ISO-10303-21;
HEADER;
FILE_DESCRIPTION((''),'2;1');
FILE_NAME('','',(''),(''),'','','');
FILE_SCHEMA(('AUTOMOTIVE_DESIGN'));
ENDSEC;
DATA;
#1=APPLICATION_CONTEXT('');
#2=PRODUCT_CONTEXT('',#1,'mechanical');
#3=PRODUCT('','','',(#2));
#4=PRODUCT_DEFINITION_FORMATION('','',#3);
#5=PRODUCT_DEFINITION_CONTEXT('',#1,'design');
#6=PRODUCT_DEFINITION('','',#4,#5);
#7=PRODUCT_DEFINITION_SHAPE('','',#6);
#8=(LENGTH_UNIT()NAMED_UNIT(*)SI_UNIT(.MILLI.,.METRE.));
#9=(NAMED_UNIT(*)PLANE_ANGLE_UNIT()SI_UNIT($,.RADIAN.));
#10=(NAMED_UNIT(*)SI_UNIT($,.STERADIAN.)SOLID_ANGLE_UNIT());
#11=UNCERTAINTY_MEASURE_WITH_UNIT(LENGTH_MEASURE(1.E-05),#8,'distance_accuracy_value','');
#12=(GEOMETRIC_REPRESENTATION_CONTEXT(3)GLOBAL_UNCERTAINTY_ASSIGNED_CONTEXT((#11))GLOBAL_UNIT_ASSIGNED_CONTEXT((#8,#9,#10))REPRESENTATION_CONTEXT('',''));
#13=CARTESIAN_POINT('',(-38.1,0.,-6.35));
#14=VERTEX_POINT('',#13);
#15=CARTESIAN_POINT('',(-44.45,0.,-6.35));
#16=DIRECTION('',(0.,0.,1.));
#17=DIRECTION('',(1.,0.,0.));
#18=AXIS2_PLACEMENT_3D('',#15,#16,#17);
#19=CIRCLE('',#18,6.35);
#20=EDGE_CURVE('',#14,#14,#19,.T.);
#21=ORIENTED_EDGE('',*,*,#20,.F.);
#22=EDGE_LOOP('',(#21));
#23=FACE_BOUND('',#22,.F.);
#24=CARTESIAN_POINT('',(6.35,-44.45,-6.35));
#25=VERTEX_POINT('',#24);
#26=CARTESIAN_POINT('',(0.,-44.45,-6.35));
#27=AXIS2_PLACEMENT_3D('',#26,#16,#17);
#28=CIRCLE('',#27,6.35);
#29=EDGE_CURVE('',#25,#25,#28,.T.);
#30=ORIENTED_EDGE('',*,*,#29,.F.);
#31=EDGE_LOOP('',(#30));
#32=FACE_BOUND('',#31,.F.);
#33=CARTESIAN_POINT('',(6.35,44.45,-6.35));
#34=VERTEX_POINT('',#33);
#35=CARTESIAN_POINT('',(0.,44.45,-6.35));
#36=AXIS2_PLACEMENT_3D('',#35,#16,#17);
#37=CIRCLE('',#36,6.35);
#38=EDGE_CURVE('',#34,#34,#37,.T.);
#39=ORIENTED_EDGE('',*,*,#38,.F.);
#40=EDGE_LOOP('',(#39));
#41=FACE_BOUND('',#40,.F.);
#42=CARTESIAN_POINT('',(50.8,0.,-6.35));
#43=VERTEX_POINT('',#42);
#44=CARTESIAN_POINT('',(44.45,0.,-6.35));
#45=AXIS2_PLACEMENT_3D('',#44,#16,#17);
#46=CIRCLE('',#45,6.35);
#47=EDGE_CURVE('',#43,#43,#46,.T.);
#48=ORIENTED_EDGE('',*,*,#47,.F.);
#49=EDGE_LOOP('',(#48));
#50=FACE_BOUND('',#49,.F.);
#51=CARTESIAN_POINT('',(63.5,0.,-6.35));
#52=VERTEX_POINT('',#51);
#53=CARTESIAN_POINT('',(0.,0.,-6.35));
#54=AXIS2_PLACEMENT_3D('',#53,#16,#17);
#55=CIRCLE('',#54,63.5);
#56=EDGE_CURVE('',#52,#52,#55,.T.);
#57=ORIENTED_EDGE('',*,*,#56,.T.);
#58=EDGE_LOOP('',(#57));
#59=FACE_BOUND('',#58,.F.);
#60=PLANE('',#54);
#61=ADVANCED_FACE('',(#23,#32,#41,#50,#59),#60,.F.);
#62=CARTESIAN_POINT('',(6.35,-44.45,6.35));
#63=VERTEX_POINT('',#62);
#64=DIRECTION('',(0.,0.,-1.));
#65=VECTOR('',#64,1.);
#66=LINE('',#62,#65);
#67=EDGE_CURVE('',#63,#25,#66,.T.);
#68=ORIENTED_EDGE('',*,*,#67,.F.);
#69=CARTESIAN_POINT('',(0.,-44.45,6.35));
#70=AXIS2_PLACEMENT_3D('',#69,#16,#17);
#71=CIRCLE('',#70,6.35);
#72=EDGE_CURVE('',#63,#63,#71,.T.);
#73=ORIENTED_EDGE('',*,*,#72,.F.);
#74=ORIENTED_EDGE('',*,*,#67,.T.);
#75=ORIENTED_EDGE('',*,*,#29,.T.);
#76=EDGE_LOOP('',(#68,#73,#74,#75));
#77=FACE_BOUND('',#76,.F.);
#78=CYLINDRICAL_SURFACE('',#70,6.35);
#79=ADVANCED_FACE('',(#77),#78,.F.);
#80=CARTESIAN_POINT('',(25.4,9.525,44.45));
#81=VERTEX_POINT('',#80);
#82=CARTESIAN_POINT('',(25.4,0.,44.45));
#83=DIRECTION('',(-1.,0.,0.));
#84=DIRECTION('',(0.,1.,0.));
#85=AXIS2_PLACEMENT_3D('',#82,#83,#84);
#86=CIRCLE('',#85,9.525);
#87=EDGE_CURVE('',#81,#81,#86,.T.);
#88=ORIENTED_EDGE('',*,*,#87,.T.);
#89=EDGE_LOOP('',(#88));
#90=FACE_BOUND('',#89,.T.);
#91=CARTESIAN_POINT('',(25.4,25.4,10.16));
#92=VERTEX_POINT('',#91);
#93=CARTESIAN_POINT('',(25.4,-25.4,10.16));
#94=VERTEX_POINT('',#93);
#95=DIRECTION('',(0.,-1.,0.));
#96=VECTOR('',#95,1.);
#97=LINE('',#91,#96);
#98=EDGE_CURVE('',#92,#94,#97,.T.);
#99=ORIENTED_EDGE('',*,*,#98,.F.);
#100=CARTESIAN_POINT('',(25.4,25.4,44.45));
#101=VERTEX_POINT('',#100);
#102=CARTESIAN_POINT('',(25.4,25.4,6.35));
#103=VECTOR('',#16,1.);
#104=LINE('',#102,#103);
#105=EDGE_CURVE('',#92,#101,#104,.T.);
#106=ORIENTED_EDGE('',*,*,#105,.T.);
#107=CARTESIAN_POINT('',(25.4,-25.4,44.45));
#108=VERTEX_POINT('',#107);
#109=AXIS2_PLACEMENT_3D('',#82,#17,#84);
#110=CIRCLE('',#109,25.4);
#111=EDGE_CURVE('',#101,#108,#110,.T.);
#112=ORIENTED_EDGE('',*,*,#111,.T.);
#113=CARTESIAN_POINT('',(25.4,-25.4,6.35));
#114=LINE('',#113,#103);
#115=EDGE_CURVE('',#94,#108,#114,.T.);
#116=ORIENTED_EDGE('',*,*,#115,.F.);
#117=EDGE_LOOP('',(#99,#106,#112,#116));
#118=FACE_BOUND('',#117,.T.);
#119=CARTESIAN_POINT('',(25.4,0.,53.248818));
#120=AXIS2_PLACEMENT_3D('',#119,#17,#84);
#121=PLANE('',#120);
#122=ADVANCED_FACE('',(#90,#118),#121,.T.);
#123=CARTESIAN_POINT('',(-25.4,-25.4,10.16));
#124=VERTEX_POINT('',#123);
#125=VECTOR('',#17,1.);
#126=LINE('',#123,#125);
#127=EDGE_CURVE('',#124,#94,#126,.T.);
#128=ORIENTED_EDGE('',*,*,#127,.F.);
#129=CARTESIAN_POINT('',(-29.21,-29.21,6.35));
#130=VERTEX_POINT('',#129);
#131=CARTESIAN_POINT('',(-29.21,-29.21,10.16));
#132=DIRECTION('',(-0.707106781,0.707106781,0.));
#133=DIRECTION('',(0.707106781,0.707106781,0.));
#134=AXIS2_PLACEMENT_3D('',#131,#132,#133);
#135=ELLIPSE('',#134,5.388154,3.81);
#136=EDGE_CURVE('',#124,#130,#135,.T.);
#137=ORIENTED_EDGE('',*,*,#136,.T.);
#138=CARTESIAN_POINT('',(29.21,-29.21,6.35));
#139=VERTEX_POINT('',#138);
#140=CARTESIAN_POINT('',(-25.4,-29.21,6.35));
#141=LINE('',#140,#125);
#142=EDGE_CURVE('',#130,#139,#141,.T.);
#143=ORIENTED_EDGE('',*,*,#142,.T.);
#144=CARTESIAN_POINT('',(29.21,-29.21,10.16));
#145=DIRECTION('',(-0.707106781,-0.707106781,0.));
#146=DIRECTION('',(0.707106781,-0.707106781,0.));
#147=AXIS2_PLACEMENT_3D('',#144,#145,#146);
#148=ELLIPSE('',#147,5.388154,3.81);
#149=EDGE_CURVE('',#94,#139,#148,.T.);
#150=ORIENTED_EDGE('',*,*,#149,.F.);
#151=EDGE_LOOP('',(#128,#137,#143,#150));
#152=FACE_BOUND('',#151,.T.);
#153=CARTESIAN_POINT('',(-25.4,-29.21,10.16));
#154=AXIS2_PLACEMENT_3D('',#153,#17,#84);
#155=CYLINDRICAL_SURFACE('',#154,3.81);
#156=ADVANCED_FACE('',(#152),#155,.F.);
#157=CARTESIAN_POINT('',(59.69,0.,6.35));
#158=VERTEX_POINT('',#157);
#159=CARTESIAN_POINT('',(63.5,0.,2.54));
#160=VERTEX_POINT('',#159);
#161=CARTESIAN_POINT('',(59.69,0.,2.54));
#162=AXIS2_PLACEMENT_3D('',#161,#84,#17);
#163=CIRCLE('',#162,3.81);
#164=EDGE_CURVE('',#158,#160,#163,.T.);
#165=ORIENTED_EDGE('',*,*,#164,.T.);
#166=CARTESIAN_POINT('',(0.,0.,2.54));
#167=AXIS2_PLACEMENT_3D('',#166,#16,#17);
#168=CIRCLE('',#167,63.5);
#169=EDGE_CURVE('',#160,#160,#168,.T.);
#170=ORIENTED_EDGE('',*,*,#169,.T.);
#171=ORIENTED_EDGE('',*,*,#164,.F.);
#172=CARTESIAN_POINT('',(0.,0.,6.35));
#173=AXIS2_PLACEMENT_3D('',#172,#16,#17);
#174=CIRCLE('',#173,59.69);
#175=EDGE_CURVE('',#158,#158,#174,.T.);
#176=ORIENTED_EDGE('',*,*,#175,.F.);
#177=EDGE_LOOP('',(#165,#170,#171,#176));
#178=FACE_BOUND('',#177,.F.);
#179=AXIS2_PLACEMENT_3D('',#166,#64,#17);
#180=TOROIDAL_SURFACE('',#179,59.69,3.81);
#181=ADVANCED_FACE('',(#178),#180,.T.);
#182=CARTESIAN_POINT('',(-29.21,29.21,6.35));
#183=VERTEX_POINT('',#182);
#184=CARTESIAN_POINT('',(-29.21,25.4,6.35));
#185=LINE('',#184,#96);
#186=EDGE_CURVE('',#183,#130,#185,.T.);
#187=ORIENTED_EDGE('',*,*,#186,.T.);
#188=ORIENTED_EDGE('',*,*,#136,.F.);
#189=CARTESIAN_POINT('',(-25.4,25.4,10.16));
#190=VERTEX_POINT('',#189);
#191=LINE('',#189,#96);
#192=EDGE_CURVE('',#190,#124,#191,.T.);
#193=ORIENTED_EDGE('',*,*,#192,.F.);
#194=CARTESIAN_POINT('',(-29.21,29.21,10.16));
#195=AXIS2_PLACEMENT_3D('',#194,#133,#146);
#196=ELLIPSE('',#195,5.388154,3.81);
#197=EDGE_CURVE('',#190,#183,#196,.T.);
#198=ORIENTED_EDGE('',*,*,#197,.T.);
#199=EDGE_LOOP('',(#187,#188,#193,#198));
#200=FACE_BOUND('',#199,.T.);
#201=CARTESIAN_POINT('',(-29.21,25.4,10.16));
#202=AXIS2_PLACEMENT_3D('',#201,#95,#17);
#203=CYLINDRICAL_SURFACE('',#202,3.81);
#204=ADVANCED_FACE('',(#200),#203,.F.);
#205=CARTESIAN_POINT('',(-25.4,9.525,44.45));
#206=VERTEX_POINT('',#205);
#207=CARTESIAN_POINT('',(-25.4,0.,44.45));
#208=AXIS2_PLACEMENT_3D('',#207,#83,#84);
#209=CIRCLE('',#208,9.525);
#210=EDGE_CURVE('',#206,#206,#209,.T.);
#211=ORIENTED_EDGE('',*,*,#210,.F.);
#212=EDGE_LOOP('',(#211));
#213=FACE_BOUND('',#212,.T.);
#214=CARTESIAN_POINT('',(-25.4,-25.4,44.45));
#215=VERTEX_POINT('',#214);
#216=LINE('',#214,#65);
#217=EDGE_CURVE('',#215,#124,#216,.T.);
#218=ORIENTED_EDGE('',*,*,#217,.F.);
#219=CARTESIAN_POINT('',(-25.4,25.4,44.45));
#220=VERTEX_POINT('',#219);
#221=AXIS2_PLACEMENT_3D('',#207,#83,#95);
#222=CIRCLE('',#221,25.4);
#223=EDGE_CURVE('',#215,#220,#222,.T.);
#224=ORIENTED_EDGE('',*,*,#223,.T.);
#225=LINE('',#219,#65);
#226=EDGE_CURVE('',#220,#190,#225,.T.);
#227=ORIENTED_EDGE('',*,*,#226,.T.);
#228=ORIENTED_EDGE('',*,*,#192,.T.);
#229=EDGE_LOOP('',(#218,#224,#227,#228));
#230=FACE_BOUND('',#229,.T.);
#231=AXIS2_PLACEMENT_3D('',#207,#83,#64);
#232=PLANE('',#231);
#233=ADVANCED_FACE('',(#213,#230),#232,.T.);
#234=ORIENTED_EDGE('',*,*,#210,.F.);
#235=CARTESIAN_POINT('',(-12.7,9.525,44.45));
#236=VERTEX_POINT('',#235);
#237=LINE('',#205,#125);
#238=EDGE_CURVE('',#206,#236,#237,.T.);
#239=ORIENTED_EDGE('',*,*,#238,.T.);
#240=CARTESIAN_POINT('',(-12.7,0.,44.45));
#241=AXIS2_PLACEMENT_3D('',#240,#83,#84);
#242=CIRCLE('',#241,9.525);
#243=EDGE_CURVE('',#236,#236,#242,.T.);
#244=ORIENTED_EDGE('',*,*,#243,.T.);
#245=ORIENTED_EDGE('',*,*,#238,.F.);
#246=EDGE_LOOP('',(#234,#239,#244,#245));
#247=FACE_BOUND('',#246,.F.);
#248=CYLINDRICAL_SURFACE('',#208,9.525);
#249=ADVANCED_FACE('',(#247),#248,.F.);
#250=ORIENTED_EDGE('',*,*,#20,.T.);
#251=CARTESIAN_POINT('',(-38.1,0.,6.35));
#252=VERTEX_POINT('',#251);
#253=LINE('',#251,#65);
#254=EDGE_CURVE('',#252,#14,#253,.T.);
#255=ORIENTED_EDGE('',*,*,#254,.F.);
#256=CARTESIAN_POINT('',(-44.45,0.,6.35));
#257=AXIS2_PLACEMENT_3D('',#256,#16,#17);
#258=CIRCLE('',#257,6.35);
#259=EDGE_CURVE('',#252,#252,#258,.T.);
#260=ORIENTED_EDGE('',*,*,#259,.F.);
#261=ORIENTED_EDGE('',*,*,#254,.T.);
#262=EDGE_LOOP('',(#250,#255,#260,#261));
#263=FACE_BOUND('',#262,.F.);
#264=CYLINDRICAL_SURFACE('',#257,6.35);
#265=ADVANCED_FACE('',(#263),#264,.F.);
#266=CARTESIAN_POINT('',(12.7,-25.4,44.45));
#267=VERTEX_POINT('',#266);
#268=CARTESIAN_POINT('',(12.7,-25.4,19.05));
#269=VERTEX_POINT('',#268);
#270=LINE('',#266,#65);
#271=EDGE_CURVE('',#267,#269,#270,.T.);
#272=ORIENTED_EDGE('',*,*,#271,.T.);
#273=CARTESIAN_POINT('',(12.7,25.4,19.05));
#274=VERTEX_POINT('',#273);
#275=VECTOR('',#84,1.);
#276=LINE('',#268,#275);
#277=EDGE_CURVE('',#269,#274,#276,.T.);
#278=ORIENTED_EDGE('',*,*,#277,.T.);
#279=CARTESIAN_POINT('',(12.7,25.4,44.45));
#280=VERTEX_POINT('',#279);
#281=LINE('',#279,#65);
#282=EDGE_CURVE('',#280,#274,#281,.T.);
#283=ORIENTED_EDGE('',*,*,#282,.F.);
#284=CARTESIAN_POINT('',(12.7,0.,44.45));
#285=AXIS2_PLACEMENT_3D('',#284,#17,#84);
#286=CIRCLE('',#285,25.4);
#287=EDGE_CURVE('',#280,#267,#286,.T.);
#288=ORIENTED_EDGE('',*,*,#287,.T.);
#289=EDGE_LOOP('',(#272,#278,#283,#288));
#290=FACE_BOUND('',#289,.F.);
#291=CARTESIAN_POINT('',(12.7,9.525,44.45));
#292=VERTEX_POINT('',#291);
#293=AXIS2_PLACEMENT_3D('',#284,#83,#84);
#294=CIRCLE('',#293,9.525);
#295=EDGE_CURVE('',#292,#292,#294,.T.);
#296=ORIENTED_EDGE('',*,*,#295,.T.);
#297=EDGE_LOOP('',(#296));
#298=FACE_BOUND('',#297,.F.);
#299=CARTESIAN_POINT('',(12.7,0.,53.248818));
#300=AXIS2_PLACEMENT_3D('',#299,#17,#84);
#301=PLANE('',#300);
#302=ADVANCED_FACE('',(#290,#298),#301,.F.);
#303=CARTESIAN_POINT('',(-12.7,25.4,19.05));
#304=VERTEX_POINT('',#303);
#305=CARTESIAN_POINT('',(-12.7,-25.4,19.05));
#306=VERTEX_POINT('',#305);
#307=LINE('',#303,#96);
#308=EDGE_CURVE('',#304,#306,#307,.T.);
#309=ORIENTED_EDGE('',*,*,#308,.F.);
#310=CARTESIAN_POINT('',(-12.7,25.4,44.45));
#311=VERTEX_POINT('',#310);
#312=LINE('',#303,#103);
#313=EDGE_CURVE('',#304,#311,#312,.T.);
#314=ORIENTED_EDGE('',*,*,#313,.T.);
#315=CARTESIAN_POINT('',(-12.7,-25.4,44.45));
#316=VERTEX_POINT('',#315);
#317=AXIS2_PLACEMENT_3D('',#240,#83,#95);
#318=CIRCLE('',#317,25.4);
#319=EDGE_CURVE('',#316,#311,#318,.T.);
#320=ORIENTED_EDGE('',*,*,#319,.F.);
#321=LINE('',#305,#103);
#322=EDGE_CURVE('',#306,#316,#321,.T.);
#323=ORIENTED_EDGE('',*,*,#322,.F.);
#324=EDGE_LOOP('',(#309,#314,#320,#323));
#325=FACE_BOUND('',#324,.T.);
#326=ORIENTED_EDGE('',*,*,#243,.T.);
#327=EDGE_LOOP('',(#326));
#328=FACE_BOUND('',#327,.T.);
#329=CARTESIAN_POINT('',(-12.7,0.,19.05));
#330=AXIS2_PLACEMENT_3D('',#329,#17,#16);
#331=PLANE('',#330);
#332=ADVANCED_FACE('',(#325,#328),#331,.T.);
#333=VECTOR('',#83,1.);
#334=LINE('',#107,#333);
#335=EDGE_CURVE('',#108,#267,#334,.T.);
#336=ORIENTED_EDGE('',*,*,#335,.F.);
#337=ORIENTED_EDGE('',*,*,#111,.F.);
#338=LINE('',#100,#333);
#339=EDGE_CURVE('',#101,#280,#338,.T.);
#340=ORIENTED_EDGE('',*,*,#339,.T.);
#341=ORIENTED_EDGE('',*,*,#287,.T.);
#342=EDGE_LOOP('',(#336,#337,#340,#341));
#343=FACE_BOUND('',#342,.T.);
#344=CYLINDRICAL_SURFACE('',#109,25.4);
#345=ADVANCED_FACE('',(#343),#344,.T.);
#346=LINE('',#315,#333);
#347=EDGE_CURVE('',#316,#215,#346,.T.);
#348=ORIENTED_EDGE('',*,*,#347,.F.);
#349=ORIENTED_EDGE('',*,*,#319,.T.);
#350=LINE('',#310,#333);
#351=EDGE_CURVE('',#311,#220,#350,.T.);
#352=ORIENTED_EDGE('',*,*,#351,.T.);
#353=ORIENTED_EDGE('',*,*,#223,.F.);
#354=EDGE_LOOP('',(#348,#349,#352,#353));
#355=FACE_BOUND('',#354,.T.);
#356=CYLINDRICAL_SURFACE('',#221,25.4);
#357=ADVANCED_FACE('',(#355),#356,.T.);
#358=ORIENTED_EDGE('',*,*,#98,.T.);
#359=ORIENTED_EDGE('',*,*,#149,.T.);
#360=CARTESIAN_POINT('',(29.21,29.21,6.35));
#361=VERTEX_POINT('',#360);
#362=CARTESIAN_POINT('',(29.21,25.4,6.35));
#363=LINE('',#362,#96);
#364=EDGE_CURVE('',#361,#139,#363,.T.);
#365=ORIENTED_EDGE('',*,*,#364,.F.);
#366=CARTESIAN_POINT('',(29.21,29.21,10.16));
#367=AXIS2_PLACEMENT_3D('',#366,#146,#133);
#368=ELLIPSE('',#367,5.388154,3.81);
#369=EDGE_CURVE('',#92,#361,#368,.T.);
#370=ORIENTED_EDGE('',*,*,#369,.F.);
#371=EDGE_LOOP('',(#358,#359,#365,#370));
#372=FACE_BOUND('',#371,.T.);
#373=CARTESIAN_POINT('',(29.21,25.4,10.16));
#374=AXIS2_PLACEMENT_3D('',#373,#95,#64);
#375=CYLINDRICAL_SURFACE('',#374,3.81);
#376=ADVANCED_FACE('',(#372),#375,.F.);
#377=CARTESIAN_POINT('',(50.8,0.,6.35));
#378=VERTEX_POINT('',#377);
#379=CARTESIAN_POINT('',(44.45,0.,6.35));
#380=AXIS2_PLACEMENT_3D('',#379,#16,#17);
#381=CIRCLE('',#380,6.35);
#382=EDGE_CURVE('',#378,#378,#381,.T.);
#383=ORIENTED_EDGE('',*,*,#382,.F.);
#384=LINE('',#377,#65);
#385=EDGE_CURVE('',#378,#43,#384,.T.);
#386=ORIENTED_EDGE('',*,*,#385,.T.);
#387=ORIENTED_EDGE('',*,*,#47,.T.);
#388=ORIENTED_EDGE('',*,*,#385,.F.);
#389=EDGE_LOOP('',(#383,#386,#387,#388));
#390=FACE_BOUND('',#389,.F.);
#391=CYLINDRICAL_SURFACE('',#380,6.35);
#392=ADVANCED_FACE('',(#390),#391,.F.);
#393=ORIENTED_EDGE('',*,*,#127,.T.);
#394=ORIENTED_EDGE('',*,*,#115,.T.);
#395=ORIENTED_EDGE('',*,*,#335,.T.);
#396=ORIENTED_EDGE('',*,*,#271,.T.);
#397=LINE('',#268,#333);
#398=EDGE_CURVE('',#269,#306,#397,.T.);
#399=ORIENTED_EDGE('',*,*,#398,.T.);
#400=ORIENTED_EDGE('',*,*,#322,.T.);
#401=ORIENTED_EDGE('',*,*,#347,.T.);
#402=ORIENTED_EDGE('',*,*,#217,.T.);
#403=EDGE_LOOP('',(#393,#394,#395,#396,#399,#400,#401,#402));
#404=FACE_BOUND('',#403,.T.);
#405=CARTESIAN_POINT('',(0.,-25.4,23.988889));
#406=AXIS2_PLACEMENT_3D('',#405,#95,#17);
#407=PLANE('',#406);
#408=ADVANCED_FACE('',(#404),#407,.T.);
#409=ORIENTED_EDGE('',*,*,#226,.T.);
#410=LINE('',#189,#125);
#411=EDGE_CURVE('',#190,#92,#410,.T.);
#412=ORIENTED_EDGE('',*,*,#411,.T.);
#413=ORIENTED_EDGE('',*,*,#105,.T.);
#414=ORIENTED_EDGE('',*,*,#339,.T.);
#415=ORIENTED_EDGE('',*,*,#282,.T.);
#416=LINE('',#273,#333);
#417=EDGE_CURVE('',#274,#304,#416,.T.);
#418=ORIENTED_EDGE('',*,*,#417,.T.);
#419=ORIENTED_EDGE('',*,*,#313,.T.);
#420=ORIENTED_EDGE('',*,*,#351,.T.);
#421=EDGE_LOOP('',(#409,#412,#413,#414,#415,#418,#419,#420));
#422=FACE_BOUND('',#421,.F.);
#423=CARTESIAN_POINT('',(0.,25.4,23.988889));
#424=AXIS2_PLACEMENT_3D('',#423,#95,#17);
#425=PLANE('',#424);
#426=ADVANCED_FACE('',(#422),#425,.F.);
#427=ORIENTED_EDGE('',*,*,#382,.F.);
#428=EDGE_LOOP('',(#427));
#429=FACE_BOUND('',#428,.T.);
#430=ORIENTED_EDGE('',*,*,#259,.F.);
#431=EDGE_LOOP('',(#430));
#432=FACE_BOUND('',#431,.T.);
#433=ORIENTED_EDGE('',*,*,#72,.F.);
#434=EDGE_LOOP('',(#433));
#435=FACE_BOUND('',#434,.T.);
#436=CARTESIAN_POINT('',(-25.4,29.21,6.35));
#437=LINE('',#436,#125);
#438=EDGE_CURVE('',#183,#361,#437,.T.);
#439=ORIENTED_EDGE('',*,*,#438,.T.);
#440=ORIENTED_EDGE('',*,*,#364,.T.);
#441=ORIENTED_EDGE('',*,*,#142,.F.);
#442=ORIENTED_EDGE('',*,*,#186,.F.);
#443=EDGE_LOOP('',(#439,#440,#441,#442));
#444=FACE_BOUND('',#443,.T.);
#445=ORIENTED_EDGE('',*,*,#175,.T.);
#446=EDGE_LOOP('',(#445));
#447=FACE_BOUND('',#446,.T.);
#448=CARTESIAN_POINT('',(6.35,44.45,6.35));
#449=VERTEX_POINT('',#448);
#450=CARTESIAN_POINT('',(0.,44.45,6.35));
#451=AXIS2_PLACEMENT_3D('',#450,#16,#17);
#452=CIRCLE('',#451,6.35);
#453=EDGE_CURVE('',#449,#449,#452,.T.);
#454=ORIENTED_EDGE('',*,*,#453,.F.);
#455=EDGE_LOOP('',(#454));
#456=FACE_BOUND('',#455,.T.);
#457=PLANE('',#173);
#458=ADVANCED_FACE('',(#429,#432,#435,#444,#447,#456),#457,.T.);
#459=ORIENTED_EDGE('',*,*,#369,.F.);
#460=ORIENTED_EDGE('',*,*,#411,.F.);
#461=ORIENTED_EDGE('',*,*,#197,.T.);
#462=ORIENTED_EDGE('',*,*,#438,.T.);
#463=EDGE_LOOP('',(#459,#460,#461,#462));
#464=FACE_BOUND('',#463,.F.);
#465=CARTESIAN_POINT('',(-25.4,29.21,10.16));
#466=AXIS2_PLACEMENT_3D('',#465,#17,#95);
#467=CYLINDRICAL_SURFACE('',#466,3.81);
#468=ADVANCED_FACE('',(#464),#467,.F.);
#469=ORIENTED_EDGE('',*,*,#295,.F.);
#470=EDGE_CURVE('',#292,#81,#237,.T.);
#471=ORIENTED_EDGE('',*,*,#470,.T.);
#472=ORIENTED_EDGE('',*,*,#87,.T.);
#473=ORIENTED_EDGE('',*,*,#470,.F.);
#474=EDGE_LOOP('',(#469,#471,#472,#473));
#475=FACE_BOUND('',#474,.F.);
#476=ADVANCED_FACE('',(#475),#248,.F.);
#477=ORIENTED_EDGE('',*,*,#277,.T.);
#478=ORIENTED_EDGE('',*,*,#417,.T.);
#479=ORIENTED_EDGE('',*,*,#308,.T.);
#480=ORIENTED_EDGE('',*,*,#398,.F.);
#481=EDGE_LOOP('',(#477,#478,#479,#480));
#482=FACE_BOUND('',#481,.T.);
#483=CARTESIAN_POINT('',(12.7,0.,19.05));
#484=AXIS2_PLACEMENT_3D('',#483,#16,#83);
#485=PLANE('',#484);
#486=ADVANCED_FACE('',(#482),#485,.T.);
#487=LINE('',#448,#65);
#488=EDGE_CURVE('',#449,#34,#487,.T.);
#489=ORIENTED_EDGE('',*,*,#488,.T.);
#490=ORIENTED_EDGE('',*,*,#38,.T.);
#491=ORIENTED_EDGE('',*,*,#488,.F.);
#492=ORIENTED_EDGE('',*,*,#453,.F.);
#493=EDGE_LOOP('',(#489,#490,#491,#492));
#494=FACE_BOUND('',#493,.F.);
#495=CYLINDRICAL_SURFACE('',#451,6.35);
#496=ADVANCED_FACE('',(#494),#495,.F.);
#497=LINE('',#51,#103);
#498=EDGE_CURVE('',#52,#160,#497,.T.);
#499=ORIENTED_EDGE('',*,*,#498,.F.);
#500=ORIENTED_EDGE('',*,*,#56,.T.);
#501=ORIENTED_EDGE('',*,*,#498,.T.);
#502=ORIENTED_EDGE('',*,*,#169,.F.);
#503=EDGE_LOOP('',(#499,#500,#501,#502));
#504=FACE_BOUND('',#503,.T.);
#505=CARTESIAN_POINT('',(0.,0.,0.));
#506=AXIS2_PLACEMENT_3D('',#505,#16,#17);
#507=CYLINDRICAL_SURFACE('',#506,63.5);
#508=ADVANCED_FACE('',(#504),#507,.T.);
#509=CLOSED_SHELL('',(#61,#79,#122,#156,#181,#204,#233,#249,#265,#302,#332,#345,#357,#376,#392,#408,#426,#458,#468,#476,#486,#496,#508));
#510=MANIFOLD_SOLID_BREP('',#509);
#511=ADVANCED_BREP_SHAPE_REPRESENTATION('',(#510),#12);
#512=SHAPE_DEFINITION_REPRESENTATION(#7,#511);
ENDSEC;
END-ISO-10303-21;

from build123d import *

# Parameters (mm, degrees)
F0_R      = 63.5
F1_DEPTH  = 6.35
F2_R      = 6.35
F3_DEPTH  = 12.701
F5_DEPTH  = 25.4
F7_DEPTH  = 12.7
F8_R      = 9.525
F9_DEPTH  = 12.7
F10_DEPTH = 88.901
F11_R     = 3.81


with BuildPart() as f1:
    # F0 (on Top) → F1 (new body, symmetric)
    with BuildSketch(Plane.XY):
        Circle(F0_R)
    extrude(amount=F1_DEPTH, both=True)

    # F2 (on face) → F3 (cut, through all)
    with BuildSketch(Plane.XY.offset(6.35)):
        with Locations((0, 44.45)):
            Circle(F2_R)
        with Locations((44.45, 0)):
            Circle(F2_R)
        with Locations((0, -44.45)):
            Circle(F2_R)
        with Locations((-44.45, 0)):
            Circle(F2_R)
    extrude(amount=-F3_DEPTH, mode=Mode.SUBTRACT)

    # F4 (on Front) → F5 (join, symmetric)
    with BuildSketch(Plane.XZ):
        Polygon((12.7, 19.05), (-12.7, 19.05), (-12.7, 44.45), (-25.4, 44.45), (-25.4, 6.35), (25.4, 6.35), (25.4, 44.45), (12.7, 44.45), align=None)
    extrude(amount=F5_DEPTH, both=True)

    # F6 (on face) → F7 (join)
    with BuildSketch(Plane.YZ.offset(25.4)):
        with BuildLine():
            Line((-25.4, 44.45), (25.4, 44.45))
            ThreePointArc((25.4, 44.45), (0, 69.85), (-25.4, 44.45))
        make_face()
    extrude(amount=-F7_DEPTH)

    # F8 (on face) → F9 (join)
    with BuildSketch(Plane(origin=(-25.4, 0, 0), x_dir=(0, -1, 0), z_dir=(-1, 0, 0))):
        with Locations((0, 44.45)):
            Circle(F8_R)
        with BuildLine():
            Line((9.525, 44.45), (25.4, 44.45))
            ThreePointArc((25.4, 44.45), (0, 69.85), (-25.4, 44.45))
            Line((-25.4, 44.45), (-9.525, 44.45))
            ThreePointArc((-9.525, 44.45), (0, 53.975), (9.525, 44.45))
        make_face()
    extrude(amount=-F9_DEPTH)

    # F8 (on face) → F10 (cut, through all)
    with BuildSketch(Plane(origin=(-25.4, 0, 0), x_dir=(0, -1, 0), z_dir=(-1, 0, 0))):
        with BuildLine():
            Line((-9.525, 44.45), (9.525, 44.45))
            ThreePointArc((9.525, 44.45), (0, 53.975), (-9.525, 44.45))
        make_face()
        with BuildLine():
            ThreePointArc((-9.525, 44.45), (0, 34.925), (9.525, 44.45))
            Line((9.525, 44.45), (-9.525, 44.45))
        make_face()
    extrude(amount=-F10_DEPTH, mode=Mode.SUBTRACT)

    # F11
    f11_edges = [f1.edges().sort_by_distance(p)[0] for p in [
        (0, -25.4, 6.35),
        (-25.4, 0, 6.35),
        (0, 25.4, 6.35),
        (25.4, 0, 6.35),
        (-63.5, 0, 6.35),
    ]]
    fillet(f11_edges, radius=F11_R)


solid = f1.part
